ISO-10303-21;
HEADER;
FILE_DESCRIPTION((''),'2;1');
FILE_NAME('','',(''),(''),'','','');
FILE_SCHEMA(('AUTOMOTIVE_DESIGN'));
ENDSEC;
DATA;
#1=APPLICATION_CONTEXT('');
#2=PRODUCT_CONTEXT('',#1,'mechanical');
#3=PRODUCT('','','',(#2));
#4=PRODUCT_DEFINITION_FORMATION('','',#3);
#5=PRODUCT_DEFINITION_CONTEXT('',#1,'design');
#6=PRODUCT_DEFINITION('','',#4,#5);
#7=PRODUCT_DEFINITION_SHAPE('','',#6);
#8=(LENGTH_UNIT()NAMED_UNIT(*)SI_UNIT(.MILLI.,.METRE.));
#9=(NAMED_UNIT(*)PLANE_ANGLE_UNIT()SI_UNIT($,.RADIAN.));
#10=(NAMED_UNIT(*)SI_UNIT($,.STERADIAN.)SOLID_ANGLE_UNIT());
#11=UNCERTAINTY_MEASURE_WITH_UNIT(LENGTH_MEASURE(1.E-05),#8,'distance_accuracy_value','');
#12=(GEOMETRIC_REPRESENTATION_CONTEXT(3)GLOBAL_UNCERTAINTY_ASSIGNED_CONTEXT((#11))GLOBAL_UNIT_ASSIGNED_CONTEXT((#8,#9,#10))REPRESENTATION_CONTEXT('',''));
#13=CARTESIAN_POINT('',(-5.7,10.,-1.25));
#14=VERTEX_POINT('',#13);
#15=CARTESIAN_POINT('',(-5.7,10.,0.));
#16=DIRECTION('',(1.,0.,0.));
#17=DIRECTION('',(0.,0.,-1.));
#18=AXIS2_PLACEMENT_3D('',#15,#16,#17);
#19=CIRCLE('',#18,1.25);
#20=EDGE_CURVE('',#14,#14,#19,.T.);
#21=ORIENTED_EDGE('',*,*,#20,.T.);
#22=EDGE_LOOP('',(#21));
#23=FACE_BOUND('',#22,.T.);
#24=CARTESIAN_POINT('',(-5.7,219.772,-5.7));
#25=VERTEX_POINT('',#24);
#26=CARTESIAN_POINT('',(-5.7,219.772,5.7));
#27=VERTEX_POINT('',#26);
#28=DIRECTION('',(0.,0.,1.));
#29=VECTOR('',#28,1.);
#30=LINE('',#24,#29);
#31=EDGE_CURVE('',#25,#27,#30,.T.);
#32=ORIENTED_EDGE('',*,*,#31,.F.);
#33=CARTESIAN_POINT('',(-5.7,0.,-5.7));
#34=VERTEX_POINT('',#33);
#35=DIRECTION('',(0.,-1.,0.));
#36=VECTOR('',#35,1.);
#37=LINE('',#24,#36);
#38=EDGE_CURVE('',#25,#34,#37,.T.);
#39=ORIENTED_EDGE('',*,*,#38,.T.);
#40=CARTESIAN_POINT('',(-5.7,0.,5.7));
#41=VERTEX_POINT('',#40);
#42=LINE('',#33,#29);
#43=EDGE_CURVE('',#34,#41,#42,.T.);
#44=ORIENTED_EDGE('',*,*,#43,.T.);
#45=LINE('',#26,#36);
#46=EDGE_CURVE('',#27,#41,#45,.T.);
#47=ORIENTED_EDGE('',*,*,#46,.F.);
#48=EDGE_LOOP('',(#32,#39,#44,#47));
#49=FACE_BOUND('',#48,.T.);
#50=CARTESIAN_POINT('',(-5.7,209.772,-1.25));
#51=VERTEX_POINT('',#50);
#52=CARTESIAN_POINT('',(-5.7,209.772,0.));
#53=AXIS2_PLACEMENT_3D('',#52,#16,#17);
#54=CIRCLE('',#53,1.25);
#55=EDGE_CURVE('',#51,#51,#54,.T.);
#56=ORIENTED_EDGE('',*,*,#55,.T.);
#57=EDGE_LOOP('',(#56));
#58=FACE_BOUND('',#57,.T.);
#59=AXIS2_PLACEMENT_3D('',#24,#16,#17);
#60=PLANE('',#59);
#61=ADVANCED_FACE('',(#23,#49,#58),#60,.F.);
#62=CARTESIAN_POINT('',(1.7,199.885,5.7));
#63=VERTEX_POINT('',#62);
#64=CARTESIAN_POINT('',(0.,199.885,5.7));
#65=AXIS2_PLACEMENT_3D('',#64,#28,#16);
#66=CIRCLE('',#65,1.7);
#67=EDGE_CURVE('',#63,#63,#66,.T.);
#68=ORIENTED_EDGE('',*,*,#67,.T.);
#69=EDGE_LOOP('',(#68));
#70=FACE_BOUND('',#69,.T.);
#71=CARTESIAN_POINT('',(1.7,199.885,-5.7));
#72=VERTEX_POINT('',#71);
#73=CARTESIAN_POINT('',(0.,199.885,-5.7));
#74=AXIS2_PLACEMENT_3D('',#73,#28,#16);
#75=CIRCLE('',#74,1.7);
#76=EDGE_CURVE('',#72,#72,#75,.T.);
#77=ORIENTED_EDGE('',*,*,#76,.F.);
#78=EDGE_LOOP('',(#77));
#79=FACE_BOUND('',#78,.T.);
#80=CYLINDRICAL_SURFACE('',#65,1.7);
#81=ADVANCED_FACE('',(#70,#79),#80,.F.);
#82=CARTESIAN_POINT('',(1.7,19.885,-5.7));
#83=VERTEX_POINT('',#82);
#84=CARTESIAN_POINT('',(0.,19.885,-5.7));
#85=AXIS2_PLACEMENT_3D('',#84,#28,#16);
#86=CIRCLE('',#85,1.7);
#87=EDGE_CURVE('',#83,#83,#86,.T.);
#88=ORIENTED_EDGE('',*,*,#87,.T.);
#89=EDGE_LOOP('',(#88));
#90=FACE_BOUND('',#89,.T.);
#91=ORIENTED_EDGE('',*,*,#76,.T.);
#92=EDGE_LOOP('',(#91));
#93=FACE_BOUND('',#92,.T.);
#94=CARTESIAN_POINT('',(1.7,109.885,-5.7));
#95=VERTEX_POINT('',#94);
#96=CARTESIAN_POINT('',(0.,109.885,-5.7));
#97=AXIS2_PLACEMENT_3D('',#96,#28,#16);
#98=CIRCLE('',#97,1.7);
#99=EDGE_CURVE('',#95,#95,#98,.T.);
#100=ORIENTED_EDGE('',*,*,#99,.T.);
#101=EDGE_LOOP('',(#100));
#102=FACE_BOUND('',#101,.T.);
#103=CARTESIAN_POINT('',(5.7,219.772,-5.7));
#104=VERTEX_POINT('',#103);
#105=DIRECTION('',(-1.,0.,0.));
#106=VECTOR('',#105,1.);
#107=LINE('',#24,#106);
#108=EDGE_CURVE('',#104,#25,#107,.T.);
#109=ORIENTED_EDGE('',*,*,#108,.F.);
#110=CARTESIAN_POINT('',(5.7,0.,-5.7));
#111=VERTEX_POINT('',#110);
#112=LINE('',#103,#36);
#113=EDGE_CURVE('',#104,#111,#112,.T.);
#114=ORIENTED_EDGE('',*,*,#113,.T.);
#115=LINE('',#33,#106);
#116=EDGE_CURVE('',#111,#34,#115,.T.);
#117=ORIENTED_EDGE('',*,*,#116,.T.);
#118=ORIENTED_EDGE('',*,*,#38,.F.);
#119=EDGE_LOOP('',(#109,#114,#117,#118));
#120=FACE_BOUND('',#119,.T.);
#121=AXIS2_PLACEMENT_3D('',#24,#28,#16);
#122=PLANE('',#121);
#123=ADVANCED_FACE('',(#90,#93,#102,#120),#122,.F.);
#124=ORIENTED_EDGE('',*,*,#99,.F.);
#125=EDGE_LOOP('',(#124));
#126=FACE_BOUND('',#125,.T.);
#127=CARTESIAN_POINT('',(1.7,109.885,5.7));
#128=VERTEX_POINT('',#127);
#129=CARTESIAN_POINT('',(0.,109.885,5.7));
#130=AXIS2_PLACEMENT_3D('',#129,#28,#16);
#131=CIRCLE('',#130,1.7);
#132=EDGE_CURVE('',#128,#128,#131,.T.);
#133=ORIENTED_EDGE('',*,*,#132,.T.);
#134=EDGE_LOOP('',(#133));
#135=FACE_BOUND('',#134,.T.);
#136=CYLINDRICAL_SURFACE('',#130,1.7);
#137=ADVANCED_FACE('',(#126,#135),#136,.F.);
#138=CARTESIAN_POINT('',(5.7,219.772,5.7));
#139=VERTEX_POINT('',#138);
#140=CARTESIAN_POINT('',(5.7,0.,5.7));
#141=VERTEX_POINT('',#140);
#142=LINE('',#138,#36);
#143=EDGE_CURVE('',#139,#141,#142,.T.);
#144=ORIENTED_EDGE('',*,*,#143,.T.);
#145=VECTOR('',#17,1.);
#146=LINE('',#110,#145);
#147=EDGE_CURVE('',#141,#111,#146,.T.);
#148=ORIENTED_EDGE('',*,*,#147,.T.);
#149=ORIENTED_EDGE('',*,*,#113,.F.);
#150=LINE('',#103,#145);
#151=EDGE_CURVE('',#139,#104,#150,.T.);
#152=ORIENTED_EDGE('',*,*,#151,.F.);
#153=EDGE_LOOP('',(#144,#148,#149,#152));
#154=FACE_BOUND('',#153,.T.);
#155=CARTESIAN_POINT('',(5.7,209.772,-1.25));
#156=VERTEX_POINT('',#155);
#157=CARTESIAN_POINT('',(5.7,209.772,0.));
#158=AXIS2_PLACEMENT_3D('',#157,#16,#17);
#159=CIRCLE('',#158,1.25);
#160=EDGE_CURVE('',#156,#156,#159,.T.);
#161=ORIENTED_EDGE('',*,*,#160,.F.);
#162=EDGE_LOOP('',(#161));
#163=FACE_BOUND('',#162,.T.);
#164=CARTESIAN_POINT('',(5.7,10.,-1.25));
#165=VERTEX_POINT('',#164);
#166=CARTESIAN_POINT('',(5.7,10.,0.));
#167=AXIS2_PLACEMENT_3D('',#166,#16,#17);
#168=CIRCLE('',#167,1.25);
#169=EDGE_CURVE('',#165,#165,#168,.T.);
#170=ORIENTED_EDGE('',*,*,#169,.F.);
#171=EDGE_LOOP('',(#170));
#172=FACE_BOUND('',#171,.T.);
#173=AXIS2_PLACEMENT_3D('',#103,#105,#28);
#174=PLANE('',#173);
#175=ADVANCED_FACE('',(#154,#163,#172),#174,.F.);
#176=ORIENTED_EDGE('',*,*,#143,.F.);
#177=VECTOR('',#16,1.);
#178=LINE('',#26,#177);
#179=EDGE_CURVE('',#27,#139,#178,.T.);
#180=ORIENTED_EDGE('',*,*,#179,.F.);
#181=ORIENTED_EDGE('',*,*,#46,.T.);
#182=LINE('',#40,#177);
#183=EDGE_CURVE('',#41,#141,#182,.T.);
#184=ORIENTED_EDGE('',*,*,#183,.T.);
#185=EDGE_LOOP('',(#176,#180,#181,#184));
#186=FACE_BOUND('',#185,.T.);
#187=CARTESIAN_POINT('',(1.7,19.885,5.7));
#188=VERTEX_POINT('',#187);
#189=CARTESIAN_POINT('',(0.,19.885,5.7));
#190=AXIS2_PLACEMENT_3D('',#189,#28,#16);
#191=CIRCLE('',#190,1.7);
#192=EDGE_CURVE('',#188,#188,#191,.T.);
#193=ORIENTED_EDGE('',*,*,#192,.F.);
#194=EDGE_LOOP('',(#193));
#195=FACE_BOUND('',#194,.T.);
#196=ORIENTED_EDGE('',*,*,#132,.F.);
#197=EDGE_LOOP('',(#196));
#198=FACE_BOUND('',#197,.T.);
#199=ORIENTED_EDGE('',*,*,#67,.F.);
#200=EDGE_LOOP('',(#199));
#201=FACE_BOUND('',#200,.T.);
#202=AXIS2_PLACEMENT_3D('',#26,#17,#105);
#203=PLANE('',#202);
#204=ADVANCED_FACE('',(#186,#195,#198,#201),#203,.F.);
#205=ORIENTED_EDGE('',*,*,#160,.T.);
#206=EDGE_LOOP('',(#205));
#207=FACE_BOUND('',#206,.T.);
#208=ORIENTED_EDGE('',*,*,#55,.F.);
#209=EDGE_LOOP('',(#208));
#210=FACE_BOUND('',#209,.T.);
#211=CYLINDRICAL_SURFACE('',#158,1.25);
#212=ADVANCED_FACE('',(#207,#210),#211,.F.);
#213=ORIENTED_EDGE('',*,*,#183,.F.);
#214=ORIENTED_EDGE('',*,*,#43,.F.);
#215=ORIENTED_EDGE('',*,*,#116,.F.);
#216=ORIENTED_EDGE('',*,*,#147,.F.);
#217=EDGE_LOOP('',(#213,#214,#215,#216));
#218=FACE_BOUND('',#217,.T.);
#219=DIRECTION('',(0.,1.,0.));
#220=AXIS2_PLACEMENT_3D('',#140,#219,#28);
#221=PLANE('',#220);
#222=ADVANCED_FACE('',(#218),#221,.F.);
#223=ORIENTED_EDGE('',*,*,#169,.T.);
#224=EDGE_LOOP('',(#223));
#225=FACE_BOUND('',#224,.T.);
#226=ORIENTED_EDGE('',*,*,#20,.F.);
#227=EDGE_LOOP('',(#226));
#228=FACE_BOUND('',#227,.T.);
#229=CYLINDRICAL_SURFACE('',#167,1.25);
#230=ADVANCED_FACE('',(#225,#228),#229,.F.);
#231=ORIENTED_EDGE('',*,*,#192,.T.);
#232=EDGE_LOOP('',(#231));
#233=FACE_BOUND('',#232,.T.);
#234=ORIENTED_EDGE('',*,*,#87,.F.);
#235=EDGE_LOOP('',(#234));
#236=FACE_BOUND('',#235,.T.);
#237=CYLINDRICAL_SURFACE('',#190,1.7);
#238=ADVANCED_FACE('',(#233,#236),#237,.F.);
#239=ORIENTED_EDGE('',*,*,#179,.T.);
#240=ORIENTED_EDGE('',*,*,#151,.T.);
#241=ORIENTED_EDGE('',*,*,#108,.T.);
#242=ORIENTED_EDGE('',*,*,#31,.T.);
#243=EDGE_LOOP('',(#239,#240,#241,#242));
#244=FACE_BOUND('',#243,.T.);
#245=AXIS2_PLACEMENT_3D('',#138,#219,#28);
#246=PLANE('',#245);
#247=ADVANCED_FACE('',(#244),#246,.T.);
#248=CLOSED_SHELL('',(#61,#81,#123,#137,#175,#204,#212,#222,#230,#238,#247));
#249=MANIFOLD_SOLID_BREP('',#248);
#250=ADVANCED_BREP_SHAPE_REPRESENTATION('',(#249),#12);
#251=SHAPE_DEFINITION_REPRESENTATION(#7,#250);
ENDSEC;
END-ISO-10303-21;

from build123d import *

# Parameters (mm, degrees)
ESQUISSE1_W        = 11.4
ESQUISSE1_H        = 11.4
BOSS_EXTRU_1_DEPTH = 219.772
D_GAGEMENT_M31_D   = 3.4
TROU_TARAUD_M31_D  = 2.5


with BuildPart() as part:
    # Esquisse1 → Boss.-Extru.1 (new body)
    with BuildSketch(Plane(origin=(0, 0, 0), x_dir=(1, 0, 0), z_dir=(0, 1, 0))):
        Rectangle(ESQUISSE1_W, ESQUISSE1_H)
    extrude(amount=BOSS_EXTRU_1_DEPTH)

    # Dégagement M31 (through all)
    with Locations(Plane.XY.offset(5.7)):
        with Locations((0, 199.885), (0, 109.885), (0, 19.885)):
            Hole(D_GAGEMENT_M31_D / 2)

    # Trou taraudé M31 (through all)
    with Locations(Plane(origin=(5.7, 0, 0), x_dir=(0, 0, -1), z_dir=(1, 0, 0))):
        with Locations((0, 209.772), (0, 10)):
            Hole(TROU_TARAUD_M31_D / 2)


solid = part.part
